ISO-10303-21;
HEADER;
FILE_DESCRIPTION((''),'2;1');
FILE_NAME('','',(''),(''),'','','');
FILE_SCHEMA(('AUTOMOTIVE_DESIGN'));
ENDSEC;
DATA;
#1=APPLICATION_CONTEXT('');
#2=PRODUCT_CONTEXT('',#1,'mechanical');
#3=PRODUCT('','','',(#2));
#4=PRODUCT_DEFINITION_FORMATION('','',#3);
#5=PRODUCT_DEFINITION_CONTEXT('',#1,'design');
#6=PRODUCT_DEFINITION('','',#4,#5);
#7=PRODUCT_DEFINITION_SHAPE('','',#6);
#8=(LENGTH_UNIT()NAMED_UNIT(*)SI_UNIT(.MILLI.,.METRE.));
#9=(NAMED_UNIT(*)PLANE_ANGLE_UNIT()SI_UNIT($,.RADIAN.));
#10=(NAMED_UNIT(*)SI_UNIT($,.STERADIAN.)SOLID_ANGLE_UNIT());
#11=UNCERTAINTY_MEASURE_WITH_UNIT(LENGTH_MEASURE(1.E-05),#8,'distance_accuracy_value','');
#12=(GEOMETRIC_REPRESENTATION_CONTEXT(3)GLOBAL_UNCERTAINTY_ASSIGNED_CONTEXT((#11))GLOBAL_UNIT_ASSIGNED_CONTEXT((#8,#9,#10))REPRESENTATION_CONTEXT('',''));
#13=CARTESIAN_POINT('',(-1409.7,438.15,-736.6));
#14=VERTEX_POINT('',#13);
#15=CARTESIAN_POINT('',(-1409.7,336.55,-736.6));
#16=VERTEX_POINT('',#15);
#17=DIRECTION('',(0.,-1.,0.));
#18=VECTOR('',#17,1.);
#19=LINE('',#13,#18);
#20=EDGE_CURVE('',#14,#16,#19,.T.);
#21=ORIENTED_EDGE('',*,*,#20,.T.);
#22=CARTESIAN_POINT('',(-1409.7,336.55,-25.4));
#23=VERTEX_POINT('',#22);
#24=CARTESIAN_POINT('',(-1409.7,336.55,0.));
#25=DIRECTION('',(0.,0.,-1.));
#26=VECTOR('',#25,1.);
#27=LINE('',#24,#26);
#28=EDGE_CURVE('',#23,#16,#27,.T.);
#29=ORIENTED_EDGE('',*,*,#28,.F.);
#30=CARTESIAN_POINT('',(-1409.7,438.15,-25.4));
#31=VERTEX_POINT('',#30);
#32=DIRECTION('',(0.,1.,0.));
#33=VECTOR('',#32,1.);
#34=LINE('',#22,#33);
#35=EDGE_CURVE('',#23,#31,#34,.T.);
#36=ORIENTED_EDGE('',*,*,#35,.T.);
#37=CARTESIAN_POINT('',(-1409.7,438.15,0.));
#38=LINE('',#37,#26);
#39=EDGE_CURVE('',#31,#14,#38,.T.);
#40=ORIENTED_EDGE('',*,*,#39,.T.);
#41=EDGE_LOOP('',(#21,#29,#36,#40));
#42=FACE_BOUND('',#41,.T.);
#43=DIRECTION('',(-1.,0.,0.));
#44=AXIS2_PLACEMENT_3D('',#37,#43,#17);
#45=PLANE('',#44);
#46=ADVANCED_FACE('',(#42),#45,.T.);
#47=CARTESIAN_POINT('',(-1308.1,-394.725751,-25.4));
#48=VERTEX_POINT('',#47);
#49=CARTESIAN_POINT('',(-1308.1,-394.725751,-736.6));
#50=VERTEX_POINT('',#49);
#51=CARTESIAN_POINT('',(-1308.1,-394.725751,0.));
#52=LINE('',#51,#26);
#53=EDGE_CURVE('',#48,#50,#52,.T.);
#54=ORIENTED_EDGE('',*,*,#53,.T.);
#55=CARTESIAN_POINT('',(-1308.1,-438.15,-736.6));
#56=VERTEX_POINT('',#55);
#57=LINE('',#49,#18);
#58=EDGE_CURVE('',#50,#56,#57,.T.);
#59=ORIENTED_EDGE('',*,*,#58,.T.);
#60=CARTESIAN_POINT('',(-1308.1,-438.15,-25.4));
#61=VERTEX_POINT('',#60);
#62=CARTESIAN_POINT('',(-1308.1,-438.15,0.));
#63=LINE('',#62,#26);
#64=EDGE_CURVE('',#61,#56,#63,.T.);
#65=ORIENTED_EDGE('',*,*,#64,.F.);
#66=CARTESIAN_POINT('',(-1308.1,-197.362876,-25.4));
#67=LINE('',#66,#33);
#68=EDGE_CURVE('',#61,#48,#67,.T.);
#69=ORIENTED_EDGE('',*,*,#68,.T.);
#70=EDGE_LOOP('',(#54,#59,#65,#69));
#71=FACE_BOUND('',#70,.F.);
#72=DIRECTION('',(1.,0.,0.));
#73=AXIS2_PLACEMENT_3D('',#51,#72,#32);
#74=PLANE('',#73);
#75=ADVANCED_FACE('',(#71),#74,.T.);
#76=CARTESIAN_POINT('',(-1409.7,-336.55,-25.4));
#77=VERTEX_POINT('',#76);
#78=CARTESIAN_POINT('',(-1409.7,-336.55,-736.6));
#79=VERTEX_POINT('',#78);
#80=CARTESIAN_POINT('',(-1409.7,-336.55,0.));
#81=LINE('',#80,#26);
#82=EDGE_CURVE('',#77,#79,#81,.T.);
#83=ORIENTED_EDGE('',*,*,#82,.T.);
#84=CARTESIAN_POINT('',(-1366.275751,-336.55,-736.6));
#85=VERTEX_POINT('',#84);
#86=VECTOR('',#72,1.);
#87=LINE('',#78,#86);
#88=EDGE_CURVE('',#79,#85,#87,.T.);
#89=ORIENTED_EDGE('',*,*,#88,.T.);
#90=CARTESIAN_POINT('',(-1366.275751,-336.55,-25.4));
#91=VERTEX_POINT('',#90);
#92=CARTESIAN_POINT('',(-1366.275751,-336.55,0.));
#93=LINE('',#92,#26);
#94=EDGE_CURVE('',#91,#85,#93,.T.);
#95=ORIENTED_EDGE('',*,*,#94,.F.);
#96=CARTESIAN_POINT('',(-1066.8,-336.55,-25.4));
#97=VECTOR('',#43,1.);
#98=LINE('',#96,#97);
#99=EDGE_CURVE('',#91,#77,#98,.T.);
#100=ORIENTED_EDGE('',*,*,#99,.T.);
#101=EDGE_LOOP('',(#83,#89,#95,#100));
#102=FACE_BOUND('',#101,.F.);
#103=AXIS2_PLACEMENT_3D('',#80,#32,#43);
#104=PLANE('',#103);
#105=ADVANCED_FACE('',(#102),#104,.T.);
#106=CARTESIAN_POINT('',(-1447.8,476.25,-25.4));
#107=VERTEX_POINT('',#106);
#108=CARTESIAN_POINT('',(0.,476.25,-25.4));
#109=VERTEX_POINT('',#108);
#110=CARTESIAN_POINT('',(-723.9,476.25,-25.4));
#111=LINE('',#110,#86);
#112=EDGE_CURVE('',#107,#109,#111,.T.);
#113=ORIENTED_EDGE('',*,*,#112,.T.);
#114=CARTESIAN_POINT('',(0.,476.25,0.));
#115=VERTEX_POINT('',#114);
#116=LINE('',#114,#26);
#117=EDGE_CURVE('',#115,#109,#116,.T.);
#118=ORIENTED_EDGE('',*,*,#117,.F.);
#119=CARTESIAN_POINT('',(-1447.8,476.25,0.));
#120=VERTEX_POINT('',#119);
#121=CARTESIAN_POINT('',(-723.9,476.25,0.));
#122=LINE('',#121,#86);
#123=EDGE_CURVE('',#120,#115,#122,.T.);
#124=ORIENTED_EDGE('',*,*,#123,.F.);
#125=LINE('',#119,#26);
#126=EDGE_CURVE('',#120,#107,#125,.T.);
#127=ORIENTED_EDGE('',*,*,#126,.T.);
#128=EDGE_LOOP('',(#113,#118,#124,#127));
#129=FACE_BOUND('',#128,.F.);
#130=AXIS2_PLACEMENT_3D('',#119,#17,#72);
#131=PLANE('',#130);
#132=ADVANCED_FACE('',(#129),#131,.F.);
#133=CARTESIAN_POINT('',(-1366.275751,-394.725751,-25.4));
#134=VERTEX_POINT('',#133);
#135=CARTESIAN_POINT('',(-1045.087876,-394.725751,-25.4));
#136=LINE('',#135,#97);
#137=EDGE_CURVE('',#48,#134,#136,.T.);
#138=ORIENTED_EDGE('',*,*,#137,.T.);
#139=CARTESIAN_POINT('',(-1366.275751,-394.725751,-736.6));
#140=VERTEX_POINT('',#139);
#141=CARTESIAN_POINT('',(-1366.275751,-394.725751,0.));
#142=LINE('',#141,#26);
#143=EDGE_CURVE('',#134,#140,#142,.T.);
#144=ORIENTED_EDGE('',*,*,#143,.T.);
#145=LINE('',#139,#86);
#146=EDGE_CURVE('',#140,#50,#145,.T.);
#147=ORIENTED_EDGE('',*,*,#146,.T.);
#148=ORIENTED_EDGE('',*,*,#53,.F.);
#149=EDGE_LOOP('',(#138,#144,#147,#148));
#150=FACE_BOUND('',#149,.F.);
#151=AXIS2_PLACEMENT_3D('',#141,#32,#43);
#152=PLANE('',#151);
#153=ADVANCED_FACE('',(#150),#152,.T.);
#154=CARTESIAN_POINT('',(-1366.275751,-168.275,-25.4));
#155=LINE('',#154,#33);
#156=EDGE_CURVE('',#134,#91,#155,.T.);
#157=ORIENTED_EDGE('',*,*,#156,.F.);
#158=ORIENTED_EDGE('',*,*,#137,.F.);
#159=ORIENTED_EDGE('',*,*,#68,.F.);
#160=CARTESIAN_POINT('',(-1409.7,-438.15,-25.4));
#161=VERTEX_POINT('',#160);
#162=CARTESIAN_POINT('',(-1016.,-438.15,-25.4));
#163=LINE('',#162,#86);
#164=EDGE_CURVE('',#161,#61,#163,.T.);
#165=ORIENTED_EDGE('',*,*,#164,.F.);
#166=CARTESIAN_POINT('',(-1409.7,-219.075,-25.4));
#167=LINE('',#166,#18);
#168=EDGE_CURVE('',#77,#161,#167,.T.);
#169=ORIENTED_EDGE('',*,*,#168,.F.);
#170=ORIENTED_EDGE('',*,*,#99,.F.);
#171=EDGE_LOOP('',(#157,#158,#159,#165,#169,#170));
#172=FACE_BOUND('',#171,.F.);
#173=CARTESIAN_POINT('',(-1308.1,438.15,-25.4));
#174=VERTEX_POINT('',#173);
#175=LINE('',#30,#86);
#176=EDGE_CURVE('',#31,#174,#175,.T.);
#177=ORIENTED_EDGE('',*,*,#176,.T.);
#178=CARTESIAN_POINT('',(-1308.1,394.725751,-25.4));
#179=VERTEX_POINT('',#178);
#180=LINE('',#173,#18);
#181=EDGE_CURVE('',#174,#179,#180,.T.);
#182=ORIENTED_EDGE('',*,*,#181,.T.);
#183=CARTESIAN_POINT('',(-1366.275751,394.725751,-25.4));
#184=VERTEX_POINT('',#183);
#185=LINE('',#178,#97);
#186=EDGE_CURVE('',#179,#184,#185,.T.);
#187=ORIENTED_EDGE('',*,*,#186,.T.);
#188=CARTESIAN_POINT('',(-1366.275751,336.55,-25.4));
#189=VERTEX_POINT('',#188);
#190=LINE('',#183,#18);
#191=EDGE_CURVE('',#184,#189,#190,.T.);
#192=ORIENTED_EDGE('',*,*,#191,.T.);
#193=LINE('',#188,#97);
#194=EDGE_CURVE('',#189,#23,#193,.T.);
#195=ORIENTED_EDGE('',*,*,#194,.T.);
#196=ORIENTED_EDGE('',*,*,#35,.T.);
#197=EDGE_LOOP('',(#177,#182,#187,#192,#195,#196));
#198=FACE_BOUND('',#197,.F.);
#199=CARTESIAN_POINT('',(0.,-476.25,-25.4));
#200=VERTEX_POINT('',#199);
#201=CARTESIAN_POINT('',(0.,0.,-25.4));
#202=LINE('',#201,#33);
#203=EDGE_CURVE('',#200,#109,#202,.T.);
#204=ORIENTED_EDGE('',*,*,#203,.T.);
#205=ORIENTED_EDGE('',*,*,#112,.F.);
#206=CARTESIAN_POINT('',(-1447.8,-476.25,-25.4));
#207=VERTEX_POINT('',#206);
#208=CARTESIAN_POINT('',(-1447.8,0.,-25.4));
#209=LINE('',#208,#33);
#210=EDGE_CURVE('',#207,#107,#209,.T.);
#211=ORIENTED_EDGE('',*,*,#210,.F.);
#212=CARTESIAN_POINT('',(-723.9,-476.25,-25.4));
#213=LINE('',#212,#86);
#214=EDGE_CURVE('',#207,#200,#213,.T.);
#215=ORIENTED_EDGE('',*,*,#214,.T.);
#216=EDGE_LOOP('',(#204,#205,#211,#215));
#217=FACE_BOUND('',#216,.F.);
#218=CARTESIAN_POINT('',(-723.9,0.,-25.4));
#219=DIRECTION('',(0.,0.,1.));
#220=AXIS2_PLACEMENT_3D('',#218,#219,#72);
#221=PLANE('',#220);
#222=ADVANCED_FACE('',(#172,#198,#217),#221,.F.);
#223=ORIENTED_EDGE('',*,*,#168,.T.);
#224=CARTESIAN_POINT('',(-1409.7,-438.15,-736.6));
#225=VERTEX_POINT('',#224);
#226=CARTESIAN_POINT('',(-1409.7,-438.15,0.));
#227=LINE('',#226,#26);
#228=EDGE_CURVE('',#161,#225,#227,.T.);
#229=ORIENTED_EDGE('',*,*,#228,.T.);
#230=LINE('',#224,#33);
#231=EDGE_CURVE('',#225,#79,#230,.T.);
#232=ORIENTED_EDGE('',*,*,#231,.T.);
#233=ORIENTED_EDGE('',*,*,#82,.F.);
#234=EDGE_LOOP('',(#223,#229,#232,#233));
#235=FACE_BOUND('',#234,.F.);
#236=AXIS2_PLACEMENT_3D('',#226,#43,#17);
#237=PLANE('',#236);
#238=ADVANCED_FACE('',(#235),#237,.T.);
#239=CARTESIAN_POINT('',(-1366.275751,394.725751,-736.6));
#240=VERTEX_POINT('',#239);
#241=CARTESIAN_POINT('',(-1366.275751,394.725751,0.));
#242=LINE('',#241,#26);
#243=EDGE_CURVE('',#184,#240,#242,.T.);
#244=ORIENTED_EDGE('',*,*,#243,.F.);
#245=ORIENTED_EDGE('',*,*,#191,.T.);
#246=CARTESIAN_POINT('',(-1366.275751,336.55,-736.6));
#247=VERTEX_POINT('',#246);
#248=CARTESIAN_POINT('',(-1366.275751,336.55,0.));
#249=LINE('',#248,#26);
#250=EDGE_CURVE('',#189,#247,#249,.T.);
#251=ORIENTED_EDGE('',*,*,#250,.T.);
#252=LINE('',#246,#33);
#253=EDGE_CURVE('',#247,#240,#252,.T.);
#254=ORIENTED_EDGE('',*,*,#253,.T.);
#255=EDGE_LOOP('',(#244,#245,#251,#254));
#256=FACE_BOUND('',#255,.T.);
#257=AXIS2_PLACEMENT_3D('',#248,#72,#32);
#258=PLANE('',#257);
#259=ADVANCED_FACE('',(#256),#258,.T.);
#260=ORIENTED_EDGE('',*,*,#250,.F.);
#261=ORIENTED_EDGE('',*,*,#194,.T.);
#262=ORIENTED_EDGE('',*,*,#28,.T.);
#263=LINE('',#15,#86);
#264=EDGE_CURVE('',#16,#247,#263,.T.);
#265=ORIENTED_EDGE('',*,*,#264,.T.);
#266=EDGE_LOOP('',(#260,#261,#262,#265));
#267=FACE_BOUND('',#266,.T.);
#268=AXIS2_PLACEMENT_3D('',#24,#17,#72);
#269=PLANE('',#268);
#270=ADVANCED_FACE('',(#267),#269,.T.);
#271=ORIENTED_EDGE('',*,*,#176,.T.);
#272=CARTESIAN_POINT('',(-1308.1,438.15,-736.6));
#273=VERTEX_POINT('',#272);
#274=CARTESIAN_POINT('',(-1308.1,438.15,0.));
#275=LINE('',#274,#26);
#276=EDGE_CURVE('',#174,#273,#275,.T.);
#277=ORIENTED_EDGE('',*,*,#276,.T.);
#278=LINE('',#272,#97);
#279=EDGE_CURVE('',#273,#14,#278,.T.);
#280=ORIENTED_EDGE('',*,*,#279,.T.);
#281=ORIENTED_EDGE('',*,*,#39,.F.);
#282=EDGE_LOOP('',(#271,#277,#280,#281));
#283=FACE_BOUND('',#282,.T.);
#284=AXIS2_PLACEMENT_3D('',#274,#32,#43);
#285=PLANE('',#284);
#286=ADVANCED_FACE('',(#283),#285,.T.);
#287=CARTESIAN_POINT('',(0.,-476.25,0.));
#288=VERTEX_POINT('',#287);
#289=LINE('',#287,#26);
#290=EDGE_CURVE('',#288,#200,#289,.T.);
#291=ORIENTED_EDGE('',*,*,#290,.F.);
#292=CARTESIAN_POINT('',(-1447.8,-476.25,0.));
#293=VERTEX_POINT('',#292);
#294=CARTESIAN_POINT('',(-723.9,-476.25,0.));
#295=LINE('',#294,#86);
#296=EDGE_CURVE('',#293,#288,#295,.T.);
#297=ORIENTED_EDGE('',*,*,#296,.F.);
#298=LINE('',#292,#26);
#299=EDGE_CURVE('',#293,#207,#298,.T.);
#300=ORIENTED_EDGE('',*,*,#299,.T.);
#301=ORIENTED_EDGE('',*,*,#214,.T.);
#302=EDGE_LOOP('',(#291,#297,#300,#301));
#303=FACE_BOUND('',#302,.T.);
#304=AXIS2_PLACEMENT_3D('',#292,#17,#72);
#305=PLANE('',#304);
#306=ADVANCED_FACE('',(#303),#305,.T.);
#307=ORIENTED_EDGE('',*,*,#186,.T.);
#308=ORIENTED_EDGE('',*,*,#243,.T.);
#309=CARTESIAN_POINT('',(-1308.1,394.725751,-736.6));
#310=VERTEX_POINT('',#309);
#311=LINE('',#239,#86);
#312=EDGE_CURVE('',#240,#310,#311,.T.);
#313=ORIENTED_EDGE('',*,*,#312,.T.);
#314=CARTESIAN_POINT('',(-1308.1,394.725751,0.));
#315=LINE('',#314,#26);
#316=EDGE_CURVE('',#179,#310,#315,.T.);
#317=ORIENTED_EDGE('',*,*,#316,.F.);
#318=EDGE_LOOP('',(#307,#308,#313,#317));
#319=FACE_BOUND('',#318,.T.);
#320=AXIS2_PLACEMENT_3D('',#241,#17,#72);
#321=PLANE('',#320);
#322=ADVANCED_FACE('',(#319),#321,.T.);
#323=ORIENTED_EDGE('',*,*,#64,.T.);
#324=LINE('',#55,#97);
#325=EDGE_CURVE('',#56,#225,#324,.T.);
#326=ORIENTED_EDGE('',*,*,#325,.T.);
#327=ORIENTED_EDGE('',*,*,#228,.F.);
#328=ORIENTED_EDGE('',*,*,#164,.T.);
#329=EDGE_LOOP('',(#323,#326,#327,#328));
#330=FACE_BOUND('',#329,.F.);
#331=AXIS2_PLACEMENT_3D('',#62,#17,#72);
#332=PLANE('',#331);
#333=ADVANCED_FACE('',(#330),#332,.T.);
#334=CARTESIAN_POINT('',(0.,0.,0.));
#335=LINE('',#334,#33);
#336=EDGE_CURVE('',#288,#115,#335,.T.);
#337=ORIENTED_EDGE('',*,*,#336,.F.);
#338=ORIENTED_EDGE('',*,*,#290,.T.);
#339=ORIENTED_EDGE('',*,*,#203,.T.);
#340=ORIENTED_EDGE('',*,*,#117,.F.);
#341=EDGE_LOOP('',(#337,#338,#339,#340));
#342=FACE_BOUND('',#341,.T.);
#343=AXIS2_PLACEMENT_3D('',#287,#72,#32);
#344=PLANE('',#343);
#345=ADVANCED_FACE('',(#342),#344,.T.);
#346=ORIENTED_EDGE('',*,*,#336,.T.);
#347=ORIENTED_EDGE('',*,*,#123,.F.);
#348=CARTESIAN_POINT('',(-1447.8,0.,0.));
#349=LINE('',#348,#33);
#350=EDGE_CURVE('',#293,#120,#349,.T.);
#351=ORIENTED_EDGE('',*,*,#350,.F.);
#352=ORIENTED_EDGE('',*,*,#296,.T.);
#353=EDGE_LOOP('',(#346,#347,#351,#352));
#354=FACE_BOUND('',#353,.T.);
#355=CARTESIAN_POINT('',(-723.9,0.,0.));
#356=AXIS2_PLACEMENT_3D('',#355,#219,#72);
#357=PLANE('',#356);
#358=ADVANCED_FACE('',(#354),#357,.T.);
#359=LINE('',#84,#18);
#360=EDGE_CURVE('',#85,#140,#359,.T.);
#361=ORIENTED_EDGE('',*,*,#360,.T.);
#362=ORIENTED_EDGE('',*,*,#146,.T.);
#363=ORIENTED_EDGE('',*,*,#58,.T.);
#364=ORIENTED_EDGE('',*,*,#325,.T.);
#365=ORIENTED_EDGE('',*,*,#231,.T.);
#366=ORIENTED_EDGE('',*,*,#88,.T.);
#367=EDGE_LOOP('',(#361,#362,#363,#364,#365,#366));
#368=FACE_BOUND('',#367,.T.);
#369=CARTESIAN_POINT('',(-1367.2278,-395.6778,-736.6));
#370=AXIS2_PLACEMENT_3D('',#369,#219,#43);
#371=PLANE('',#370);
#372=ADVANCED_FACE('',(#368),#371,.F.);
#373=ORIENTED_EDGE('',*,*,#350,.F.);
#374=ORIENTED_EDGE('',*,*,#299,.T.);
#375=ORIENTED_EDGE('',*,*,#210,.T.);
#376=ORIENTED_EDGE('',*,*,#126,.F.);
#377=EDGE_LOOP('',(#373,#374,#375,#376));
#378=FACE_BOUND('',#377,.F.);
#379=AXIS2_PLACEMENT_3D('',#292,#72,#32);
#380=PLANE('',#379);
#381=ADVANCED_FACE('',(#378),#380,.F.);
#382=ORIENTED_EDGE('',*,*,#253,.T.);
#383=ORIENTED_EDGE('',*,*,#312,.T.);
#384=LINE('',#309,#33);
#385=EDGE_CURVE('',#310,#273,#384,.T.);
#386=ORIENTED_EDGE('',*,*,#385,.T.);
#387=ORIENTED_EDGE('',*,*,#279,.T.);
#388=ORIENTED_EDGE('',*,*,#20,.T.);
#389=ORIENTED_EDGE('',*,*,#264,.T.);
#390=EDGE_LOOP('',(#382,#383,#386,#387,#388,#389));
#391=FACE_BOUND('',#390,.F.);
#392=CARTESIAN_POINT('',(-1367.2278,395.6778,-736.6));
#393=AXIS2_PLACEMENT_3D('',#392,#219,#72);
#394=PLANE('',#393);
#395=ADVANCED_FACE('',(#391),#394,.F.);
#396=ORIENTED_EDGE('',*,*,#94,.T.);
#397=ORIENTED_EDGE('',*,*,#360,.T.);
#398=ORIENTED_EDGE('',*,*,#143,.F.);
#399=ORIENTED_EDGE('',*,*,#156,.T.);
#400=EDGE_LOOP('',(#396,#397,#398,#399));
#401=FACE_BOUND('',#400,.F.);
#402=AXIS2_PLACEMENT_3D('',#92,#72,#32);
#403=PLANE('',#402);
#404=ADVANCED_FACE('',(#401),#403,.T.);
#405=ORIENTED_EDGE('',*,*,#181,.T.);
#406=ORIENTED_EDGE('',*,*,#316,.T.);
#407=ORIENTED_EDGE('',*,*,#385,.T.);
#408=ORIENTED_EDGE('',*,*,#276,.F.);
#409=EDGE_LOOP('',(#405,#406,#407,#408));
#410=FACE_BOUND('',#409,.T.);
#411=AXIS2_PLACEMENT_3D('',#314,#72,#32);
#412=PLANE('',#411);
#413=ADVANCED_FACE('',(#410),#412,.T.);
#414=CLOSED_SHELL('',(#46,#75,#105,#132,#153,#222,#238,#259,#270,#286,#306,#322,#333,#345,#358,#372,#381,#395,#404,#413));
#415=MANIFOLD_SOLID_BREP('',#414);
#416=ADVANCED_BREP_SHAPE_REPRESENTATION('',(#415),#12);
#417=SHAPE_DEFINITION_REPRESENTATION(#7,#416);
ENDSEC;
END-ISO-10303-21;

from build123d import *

# Parameters (mm, degrees)
F1_DEPTH = 736.6
F0_W     = 1447.8
F0_H     = 952.5
F3_DEPTH = 25.4


with BuildPart() as f1:
    # F0 (on Top) → F1 (new body)
    with BuildSketch(Plane.XY):
        Polygon((-1308.1, 438.15), (-1409.7, 438.15), (-1409.7, 336.55), (-1366.275751, 336.55), (-1366.275751, 394.725751), (-1308.1, 394.725751), align=None)
    extrude(amount=-F1_DEPTH)



with BuildPart() as f2_1:
    # F2: instance of F1
    add(f1.part.mirror(Plane.XZ))


with BuildPart() as f1_1:
    add(f1.part)

    add(f2_1.part)  # F3 merges F2_1
    # F0 (on Top) → F3 (join)
    with BuildSketch(Plane.XY):
        with Locations((-723.9, 0)):
            Rectangle(F0_W, F0_H)
        Polygon((-1409.7, 336.55), (-1409.7, 438.15), (-1308.1, 438.15), (-1308.1, 394.725751), (-1366.275751, 394.725751), (-1366.275751, 336.55), align=None, mode=Mode.SUBTRACT)
    extrude(amount=-F3_DEPTH)


solid = f1_1.part
